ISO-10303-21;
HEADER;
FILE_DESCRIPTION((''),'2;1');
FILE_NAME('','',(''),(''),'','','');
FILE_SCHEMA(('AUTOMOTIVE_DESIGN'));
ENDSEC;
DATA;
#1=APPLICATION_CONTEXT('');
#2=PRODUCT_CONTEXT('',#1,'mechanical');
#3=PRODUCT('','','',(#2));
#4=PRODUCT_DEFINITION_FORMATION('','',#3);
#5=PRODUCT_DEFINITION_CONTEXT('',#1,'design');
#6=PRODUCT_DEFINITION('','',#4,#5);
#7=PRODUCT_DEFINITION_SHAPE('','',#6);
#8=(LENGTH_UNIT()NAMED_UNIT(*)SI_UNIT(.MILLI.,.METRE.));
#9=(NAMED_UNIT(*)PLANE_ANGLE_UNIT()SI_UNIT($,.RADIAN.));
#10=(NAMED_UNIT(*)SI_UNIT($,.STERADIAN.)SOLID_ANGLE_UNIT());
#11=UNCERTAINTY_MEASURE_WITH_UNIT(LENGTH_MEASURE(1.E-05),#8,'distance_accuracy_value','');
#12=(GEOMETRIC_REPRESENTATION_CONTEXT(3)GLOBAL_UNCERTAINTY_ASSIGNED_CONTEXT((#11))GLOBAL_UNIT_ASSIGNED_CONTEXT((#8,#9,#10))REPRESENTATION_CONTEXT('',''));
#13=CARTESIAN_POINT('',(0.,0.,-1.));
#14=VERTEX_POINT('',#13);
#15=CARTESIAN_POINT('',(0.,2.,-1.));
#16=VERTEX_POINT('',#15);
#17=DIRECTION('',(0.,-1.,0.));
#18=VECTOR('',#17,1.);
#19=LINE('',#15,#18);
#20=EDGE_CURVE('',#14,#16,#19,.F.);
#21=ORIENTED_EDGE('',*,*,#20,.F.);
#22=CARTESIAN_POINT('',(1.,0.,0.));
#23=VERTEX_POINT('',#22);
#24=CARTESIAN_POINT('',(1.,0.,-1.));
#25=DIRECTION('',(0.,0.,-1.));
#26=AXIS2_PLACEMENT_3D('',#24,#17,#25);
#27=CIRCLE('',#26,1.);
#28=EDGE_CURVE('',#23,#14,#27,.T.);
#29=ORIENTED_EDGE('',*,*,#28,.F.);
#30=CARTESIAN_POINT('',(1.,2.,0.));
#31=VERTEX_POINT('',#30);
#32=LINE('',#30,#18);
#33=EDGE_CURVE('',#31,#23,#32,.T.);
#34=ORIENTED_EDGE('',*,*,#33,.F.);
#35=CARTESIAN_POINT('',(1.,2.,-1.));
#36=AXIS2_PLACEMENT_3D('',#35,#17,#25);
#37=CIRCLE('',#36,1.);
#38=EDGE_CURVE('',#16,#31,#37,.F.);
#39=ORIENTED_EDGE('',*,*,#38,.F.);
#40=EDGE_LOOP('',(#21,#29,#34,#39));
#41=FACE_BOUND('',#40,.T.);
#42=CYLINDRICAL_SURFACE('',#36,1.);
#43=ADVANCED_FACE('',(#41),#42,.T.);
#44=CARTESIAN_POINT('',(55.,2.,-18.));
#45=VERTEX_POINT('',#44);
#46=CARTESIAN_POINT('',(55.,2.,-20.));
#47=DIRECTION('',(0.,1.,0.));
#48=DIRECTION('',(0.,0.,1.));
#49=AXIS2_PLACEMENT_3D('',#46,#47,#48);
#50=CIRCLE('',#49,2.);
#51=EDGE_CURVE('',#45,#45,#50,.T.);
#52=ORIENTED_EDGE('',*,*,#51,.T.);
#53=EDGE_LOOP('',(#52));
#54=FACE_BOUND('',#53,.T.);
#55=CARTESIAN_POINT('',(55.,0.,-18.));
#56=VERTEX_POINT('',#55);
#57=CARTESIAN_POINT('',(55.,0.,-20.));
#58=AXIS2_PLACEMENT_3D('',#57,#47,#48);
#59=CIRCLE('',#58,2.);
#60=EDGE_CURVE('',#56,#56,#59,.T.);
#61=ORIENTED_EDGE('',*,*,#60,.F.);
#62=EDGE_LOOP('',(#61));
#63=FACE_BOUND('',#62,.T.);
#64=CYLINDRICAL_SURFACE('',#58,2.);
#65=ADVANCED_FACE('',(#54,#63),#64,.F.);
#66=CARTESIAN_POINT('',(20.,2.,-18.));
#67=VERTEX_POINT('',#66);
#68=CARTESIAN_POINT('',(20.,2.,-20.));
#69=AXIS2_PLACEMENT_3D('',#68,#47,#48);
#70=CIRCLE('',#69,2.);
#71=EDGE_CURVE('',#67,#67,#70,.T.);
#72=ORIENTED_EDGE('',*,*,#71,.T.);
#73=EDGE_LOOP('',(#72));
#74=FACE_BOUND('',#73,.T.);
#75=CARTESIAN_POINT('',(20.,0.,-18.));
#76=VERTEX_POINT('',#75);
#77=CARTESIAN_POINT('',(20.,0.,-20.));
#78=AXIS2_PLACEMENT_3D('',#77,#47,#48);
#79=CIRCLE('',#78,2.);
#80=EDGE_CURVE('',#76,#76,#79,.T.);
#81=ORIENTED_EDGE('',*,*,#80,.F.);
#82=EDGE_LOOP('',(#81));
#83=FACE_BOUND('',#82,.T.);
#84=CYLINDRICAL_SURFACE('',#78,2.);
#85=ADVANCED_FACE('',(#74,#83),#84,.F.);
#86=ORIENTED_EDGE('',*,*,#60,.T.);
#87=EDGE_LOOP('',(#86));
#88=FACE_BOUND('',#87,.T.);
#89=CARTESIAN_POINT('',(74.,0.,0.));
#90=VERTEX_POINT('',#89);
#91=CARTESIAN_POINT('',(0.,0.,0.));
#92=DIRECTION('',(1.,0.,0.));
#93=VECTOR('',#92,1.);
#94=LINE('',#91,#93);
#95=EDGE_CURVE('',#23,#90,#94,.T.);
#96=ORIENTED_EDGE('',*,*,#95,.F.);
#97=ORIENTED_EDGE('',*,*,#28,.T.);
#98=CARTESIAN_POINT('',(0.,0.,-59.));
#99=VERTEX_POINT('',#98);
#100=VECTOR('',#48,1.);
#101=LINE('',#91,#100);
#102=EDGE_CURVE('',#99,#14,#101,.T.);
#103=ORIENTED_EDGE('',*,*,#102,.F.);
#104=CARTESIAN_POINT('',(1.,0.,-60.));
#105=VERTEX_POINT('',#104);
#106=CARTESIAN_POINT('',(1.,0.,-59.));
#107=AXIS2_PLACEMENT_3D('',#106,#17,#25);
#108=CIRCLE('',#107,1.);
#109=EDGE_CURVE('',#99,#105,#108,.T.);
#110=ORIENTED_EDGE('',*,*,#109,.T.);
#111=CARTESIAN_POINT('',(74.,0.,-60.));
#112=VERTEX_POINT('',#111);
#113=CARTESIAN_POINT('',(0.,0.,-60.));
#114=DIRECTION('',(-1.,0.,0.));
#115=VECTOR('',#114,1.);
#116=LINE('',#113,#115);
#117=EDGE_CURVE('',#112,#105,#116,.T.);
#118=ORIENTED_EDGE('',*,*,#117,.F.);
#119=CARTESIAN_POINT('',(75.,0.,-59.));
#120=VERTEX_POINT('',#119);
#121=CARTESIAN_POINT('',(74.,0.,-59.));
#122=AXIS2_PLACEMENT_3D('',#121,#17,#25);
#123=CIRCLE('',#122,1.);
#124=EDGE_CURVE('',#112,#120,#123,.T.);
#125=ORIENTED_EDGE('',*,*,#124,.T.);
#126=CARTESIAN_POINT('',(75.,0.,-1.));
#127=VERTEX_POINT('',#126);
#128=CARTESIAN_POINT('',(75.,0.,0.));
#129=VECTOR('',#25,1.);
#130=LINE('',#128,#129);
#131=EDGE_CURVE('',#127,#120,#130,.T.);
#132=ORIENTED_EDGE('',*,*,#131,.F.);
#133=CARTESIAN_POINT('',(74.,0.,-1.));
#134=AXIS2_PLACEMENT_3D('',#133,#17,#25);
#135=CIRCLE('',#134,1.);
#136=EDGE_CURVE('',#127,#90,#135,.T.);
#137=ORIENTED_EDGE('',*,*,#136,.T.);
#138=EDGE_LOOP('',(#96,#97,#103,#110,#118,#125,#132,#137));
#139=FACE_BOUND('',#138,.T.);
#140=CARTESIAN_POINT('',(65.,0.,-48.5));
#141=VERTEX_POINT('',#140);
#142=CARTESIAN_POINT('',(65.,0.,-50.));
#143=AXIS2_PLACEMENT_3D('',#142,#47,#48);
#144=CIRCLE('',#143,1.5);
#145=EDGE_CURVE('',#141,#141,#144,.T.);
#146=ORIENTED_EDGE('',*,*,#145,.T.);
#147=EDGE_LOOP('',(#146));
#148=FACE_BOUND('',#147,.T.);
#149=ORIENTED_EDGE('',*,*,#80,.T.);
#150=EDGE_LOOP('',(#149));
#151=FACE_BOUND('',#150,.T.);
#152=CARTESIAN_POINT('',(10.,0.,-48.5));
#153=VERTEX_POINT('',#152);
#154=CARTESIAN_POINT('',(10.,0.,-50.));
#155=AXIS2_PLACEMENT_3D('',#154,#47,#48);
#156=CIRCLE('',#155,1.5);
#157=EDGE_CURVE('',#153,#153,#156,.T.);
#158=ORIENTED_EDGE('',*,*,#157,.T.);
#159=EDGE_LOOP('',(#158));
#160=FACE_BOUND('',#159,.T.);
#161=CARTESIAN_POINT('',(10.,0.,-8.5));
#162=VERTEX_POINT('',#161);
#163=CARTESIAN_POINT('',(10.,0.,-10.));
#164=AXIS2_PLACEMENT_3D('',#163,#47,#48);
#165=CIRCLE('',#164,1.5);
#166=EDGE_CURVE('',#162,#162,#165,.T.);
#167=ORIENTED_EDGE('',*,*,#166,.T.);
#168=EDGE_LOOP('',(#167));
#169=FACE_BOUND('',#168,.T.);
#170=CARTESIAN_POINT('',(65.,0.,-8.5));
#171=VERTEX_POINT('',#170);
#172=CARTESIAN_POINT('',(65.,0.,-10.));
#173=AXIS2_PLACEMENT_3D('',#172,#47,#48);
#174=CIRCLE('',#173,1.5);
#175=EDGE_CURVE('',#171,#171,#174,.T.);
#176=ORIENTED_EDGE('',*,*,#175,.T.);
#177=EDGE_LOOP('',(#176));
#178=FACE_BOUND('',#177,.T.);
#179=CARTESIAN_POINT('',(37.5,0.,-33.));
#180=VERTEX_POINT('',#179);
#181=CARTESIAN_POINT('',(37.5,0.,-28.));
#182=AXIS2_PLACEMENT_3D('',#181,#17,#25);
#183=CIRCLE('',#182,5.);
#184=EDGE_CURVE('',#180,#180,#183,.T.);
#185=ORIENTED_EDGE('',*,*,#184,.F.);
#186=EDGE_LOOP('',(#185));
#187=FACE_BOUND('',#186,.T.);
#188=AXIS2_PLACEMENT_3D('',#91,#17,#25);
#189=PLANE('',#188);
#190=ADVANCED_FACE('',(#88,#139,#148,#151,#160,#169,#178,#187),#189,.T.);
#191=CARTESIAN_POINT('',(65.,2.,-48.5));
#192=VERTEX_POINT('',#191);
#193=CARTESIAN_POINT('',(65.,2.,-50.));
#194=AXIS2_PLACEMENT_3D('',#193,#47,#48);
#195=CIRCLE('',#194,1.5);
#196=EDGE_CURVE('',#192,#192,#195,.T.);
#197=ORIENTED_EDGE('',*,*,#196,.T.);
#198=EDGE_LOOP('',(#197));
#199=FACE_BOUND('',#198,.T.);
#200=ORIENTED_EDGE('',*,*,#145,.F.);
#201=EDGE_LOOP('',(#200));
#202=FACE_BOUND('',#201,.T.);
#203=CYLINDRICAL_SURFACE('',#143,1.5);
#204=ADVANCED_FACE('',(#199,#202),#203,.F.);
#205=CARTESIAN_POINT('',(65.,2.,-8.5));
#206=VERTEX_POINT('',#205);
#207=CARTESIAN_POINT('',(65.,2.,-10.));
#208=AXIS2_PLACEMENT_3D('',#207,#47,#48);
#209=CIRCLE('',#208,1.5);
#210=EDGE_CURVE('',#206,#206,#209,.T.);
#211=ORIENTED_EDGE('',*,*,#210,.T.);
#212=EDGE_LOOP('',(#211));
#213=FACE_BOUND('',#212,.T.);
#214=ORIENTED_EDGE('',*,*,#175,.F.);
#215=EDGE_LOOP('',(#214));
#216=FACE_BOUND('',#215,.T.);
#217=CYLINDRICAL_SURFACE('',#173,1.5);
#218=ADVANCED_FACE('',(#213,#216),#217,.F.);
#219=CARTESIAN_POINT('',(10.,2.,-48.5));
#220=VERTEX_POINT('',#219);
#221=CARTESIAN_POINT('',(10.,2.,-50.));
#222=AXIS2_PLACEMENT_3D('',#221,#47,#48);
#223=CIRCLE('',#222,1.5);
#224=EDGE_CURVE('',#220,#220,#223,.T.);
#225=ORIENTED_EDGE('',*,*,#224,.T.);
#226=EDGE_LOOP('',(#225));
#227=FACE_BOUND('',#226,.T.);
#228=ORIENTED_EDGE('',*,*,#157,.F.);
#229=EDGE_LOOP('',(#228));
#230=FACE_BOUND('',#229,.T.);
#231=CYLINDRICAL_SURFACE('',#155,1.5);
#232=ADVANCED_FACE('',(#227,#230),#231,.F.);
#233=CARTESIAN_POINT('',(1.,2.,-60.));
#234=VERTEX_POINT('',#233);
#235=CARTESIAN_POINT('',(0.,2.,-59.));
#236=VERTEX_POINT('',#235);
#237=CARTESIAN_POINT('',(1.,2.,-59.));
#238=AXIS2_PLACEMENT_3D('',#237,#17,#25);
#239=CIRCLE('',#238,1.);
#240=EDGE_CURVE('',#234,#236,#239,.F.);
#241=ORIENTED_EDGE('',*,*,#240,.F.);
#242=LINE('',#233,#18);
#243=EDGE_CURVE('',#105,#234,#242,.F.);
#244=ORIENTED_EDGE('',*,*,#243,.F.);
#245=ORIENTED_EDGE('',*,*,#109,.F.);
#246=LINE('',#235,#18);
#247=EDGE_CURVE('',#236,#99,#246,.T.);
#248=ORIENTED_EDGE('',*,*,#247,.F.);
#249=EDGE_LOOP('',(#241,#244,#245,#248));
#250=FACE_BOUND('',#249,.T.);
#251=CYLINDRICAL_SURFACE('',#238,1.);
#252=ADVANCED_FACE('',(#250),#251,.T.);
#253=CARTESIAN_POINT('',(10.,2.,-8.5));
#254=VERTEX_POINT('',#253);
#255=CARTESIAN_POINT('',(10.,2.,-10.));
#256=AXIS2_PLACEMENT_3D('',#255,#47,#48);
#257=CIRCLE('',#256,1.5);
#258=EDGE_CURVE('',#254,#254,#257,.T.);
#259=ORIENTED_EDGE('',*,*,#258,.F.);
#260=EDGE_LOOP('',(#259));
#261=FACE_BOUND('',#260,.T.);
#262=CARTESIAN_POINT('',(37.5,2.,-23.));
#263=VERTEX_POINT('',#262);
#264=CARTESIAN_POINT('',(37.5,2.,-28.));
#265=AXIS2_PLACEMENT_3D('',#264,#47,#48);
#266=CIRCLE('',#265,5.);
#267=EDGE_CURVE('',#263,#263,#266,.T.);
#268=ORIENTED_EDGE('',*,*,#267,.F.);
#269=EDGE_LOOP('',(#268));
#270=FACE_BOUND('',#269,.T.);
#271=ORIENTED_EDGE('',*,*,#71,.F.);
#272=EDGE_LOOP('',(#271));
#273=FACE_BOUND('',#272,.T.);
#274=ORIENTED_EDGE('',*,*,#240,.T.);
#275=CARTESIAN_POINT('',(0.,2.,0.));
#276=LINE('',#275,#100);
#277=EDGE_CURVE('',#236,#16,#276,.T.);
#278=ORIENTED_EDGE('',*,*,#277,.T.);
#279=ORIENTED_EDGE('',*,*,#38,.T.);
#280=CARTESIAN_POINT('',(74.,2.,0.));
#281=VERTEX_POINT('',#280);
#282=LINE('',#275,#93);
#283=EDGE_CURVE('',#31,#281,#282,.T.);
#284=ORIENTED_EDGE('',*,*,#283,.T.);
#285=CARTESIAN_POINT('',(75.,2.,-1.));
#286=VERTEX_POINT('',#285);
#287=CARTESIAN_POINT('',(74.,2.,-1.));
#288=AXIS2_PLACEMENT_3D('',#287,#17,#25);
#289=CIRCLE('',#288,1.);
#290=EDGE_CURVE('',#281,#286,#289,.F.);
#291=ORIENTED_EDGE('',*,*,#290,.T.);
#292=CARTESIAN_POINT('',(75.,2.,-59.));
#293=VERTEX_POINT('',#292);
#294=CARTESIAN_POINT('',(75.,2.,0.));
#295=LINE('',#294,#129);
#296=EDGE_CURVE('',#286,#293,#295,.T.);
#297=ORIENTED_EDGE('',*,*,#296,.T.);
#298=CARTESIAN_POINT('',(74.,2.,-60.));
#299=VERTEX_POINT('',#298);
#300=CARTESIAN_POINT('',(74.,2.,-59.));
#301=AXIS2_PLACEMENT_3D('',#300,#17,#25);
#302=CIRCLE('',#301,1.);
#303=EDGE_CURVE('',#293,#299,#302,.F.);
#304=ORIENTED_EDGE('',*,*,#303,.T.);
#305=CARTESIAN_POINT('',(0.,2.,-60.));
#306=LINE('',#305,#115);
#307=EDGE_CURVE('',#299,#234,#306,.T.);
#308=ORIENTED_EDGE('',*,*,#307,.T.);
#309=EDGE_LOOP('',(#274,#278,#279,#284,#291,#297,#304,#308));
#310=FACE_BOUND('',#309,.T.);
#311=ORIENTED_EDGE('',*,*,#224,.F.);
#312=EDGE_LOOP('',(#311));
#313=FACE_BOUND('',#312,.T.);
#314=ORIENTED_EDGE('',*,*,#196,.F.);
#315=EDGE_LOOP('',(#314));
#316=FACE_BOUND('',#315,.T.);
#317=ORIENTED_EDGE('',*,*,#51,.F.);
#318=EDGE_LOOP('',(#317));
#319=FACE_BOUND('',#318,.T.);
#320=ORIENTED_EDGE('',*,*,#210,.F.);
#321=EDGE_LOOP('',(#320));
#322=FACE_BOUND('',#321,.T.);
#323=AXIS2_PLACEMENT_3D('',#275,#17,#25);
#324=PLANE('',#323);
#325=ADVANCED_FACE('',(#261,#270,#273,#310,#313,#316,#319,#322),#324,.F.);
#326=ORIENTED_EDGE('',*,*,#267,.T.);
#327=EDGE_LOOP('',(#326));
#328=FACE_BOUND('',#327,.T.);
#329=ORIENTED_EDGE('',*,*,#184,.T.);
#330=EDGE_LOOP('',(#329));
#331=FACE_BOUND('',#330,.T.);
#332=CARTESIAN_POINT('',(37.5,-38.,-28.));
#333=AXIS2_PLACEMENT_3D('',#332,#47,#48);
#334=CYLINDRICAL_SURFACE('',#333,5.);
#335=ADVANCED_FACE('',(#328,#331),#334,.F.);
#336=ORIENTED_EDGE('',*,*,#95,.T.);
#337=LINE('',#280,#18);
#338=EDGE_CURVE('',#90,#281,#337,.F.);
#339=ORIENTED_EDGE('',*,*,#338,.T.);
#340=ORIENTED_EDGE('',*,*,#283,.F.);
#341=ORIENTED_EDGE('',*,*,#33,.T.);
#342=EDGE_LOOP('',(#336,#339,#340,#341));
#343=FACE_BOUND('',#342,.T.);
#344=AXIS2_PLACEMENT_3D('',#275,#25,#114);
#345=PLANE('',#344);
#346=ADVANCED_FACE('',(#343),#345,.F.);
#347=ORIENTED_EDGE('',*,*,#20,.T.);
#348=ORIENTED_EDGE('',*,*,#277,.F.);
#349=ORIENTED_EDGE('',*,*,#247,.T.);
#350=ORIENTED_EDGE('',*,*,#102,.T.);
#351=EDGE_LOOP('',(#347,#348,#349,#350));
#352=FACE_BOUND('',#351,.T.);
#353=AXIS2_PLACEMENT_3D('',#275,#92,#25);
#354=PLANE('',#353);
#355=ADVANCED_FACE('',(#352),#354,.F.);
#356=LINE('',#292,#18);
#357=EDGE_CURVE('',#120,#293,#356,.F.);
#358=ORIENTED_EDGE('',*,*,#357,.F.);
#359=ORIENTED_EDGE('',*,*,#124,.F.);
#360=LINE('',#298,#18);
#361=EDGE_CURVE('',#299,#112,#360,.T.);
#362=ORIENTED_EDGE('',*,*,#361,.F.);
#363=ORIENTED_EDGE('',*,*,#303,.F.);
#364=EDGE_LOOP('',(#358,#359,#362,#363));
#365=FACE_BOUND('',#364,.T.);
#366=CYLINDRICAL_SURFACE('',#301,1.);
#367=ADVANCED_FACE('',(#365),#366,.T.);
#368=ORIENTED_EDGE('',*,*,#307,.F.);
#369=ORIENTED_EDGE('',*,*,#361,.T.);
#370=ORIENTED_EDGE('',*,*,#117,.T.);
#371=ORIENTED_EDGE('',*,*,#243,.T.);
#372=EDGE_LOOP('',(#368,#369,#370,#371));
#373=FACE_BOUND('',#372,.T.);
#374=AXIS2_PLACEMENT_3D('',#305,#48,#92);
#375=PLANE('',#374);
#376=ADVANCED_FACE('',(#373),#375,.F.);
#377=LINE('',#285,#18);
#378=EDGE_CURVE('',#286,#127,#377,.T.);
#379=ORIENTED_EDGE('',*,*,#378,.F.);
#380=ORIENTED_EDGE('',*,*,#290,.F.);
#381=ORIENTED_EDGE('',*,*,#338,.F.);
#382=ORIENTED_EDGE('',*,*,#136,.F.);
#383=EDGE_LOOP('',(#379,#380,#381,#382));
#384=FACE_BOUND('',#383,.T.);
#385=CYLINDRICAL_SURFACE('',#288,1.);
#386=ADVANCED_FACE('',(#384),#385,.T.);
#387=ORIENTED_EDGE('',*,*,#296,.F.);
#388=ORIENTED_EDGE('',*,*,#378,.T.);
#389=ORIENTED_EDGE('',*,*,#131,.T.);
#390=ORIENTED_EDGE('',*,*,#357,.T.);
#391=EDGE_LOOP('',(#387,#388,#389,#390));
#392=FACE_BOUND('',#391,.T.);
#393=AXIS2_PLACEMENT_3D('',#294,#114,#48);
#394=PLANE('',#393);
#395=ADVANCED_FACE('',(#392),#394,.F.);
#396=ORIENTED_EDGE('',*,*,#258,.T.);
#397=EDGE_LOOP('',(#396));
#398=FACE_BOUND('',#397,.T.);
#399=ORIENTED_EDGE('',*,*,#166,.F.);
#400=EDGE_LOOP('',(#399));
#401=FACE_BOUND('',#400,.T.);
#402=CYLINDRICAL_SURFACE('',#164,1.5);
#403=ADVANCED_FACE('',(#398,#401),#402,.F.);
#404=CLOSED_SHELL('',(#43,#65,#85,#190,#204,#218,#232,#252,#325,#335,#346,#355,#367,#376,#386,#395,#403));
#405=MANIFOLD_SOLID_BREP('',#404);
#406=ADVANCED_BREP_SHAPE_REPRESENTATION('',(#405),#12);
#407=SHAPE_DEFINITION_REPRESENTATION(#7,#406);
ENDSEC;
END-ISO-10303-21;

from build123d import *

# Parameters (mm, degrees)
SKETCH2_W           = 75
SKETCH2_H           = 60
BOSS_EXTRUDE1_DEPTH = 2
SKETCH4_R           = 1.5
SKETCH4_R_2         = 2
CUT_EXTRUDE2_DEPTH  = 2
SKETCH5_R           = 5
CUT_EXTRUDE3_DEPTH  = 40
FILLET1_R           = 1


with BuildPart() as part:
    # Sketch2 → Boss-Extrude1 (new body)
    with BuildSketch(Plane(origin=(0, 0, 0), x_dir=(1, 0, 0), z_dir=(0, 1, 0))):
        with Locations((37.5, 30)):
            Rectangle(SKETCH2_W, SKETCH2_H)
    extrude(amount=BOSS_EXTRUDE1_DEPTH)

    # Sketch4 → Cut-Extrude2 (cut)
    with BuildSketch(Plane(origin=(0, 2, 0), x_dir=(1, 0, 0), z_dir=(0, 1, 0))):
        with Locations(Location((10, 10, 0), (0, 0, 270))):
            Circle(SKETCH4_R)
        with Locations(Location((65, 10, 0), (0, 0, 270))):
            Circle(SKETCH4_R)
        with Locations(Location((20, 20, 0), (0, 0, 270))):
            Circle(SKETCH4_R_2)
        with Locations(Location((55, 20, 0), (0, 0, 270))):
            Circle(SKETCH4_R_2)
        with Locations(Location((10, 50, 0), (0, 0, 270))):
            Circle(SKETCH4_R)
        with Locations(Location((65, 50, 0), (0, 0, 270))):
            Circle(SKETCH4_R)
    extrude(amount=-CUT_EXTRUDE2_DEPTH, mode=Mode.SUBTRACT)

    # Sketch5 → Cut-Extrude3 (cut)
    with BuildSketch(Plane(origin=(0, 2, 0), x_dir=(1, 0, 0), z_dir=(0, 1, 0))):
        with Locations(Location((37.5, 28, 0), (0, 0, 270))):
            Circle(SKETCH5_R)
    extrude(amount=-CUT_EXTRUDE3_DEPTH, mode=Mode.SUBTRACT)

    # Fillet1
    fillet1_edges = [part.edges().sort_by_distance(p)[0] for p in [
        (0, 1, -60),
        (75, 1, -60),
        (75, 1, 0),
        (0, 1, 0),
    ]]
    fillet(fillet1_edges, radius=FILLET1_R)


solid = part.part
